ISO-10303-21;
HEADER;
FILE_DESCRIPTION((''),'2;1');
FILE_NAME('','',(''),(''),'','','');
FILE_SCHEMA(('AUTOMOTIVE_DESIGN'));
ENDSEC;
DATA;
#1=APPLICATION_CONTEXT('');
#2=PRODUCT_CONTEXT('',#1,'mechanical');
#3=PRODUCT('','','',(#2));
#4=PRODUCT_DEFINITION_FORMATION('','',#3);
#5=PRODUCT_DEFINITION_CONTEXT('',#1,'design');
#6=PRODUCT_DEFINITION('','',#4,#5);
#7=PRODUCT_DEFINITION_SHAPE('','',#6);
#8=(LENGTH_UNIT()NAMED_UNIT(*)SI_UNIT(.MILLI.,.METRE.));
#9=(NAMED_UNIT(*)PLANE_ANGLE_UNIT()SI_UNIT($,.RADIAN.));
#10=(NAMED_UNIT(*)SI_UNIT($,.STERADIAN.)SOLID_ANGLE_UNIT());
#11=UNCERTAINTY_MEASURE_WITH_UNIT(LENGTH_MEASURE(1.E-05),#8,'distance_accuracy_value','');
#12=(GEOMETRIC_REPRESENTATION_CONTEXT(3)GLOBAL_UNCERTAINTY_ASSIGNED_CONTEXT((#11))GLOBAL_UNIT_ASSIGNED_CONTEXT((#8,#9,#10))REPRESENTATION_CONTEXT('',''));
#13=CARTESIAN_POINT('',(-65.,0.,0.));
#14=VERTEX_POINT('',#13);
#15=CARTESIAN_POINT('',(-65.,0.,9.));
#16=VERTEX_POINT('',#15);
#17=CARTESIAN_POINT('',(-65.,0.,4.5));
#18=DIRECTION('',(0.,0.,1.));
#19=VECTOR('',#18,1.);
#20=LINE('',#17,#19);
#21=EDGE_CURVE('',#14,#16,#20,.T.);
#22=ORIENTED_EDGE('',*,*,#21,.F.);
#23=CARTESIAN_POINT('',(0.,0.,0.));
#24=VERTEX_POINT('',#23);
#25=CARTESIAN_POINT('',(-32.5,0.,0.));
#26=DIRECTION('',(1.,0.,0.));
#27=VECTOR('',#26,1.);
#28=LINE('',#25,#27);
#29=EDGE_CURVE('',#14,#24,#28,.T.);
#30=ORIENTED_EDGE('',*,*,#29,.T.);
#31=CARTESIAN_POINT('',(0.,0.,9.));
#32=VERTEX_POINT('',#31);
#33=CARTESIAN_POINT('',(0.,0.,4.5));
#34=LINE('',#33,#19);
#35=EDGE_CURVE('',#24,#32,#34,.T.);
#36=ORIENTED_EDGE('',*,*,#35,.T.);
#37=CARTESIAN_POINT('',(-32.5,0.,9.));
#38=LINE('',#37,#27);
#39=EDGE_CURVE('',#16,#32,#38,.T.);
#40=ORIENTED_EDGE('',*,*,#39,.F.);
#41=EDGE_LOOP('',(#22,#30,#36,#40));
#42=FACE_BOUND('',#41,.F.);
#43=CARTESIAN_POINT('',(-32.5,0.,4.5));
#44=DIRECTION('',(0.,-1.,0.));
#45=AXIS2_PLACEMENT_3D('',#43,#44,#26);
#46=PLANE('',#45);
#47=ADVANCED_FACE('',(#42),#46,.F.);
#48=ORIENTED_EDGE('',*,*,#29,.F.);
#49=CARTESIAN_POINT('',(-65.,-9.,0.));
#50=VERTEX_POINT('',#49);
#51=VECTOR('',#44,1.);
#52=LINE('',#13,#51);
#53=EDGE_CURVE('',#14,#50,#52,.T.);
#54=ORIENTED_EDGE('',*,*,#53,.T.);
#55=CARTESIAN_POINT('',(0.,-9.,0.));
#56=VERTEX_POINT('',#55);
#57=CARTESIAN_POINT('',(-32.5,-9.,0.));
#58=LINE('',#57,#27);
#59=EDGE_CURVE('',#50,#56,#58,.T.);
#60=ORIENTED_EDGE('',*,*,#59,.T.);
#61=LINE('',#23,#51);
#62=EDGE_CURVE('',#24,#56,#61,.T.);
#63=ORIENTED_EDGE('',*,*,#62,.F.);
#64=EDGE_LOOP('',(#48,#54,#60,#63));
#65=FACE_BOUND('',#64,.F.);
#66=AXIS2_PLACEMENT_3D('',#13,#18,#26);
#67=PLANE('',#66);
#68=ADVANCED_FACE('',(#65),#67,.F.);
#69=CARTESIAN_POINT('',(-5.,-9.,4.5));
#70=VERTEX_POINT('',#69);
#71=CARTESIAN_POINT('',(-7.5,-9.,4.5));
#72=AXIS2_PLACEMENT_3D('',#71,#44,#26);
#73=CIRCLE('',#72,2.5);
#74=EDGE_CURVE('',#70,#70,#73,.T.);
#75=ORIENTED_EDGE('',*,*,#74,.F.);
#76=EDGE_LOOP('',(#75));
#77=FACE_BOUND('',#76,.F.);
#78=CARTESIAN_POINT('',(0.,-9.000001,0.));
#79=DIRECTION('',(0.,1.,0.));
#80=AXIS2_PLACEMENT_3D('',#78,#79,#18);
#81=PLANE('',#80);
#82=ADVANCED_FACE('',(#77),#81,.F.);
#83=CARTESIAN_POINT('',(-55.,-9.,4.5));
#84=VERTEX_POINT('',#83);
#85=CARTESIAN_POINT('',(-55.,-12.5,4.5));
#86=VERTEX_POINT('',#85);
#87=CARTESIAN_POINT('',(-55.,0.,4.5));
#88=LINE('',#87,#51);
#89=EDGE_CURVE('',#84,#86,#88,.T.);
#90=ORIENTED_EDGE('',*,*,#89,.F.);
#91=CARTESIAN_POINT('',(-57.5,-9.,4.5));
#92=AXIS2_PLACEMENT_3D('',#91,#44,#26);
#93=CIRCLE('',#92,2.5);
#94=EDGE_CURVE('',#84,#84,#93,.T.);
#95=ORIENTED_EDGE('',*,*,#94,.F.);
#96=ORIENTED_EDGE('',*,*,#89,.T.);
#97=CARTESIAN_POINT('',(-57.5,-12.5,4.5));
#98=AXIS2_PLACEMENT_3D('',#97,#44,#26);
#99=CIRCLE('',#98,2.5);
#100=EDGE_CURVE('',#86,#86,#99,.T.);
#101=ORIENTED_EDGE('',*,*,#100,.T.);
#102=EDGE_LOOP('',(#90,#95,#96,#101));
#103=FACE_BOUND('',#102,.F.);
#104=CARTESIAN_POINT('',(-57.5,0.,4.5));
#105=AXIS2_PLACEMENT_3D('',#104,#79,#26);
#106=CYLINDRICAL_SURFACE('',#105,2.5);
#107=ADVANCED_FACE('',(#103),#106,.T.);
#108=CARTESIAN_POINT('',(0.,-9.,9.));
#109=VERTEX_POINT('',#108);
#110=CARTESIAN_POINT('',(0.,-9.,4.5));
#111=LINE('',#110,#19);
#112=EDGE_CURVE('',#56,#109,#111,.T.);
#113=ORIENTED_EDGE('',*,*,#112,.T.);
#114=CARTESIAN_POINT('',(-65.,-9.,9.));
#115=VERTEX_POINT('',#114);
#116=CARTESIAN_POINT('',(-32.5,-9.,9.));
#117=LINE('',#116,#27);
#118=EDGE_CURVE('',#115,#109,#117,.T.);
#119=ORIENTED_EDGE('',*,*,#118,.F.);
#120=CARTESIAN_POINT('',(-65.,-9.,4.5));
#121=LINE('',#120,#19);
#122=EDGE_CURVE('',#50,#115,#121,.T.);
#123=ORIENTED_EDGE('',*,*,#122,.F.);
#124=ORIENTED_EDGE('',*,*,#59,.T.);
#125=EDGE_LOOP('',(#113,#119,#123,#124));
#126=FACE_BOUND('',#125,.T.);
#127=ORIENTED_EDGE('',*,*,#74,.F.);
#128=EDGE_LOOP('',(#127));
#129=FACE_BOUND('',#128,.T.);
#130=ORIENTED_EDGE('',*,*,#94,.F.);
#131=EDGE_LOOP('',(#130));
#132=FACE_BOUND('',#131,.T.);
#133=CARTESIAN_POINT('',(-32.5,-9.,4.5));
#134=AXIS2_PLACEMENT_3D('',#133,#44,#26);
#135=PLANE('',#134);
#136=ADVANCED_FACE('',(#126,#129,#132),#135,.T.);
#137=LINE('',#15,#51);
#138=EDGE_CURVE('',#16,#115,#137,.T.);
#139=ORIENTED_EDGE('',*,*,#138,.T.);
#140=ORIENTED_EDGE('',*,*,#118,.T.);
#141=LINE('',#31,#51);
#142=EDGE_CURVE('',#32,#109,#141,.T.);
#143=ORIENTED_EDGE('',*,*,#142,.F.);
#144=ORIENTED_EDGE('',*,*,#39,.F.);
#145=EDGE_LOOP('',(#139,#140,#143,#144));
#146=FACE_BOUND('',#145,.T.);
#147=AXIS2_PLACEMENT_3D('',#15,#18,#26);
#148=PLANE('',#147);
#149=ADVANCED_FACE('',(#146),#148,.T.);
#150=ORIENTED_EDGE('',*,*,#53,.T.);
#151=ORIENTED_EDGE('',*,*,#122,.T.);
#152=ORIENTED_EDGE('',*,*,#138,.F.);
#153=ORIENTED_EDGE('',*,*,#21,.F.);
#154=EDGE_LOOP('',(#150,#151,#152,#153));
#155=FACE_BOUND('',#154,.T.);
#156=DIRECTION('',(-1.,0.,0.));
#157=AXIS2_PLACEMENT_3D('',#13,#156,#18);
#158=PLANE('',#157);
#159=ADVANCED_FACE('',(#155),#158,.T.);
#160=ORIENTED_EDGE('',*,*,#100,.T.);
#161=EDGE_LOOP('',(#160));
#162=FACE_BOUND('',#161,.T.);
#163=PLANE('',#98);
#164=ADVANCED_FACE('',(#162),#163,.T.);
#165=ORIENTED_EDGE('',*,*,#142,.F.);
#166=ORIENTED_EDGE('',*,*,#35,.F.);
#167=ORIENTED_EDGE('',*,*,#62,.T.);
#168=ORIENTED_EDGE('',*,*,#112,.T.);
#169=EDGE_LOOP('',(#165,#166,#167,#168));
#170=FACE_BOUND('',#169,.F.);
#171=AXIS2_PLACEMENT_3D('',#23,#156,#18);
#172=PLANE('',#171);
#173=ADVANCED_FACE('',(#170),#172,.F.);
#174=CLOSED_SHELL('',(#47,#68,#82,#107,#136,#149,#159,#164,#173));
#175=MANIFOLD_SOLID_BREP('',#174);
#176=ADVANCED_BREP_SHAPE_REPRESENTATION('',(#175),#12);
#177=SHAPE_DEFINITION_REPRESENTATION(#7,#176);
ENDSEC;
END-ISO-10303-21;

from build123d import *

# Parameters (mm, degrees)
F0_W     = 65
F0_H     = 9
F0_R     = 2.5
F1_DEPTH = 9
F2_DEPTH = 12.5
F3_W     = 7.776277
F3_H     = 9
F4_DEPTH = 25


with BuildPart() as f1:
    # F0 (on Front) → F1 (new body)
    with BuildSketch(Plane.XZ):
        with Locations((-32.5, 4.5)):
            Rectangle(F0_W, F0_H)
        with Locations((-57.5, 4.5)):
            Circle(F0_R, mode=Mode.SUBTRACT)
        with Locations((-7.5, 4.5)):
            Circle(F0_R, mode=Mode.SUBTRACT)
    extrude(amount=F1_DEPTH)

    # F0 (on Front) → F2 (join)
    with BuildSketch(Plane.XZ):
        with Locations((-57.5, 4.5)):
            Circle(F0_R)
        with Locations((-7.5, 4.5)):
            Circle(F0_R)
    extrude(amount=F2_DEPTH)

    # F3 (on face) → F4 (cut)
    with BuildSketch(Plane.YZ):
        with Locations((-12.888139, 4.5)):
            Rectangle(F3_W, F3_H)
    extrude(amount=-F4_DEPTH, mode=Mode.SUBTRACT)


solid = f1.part
